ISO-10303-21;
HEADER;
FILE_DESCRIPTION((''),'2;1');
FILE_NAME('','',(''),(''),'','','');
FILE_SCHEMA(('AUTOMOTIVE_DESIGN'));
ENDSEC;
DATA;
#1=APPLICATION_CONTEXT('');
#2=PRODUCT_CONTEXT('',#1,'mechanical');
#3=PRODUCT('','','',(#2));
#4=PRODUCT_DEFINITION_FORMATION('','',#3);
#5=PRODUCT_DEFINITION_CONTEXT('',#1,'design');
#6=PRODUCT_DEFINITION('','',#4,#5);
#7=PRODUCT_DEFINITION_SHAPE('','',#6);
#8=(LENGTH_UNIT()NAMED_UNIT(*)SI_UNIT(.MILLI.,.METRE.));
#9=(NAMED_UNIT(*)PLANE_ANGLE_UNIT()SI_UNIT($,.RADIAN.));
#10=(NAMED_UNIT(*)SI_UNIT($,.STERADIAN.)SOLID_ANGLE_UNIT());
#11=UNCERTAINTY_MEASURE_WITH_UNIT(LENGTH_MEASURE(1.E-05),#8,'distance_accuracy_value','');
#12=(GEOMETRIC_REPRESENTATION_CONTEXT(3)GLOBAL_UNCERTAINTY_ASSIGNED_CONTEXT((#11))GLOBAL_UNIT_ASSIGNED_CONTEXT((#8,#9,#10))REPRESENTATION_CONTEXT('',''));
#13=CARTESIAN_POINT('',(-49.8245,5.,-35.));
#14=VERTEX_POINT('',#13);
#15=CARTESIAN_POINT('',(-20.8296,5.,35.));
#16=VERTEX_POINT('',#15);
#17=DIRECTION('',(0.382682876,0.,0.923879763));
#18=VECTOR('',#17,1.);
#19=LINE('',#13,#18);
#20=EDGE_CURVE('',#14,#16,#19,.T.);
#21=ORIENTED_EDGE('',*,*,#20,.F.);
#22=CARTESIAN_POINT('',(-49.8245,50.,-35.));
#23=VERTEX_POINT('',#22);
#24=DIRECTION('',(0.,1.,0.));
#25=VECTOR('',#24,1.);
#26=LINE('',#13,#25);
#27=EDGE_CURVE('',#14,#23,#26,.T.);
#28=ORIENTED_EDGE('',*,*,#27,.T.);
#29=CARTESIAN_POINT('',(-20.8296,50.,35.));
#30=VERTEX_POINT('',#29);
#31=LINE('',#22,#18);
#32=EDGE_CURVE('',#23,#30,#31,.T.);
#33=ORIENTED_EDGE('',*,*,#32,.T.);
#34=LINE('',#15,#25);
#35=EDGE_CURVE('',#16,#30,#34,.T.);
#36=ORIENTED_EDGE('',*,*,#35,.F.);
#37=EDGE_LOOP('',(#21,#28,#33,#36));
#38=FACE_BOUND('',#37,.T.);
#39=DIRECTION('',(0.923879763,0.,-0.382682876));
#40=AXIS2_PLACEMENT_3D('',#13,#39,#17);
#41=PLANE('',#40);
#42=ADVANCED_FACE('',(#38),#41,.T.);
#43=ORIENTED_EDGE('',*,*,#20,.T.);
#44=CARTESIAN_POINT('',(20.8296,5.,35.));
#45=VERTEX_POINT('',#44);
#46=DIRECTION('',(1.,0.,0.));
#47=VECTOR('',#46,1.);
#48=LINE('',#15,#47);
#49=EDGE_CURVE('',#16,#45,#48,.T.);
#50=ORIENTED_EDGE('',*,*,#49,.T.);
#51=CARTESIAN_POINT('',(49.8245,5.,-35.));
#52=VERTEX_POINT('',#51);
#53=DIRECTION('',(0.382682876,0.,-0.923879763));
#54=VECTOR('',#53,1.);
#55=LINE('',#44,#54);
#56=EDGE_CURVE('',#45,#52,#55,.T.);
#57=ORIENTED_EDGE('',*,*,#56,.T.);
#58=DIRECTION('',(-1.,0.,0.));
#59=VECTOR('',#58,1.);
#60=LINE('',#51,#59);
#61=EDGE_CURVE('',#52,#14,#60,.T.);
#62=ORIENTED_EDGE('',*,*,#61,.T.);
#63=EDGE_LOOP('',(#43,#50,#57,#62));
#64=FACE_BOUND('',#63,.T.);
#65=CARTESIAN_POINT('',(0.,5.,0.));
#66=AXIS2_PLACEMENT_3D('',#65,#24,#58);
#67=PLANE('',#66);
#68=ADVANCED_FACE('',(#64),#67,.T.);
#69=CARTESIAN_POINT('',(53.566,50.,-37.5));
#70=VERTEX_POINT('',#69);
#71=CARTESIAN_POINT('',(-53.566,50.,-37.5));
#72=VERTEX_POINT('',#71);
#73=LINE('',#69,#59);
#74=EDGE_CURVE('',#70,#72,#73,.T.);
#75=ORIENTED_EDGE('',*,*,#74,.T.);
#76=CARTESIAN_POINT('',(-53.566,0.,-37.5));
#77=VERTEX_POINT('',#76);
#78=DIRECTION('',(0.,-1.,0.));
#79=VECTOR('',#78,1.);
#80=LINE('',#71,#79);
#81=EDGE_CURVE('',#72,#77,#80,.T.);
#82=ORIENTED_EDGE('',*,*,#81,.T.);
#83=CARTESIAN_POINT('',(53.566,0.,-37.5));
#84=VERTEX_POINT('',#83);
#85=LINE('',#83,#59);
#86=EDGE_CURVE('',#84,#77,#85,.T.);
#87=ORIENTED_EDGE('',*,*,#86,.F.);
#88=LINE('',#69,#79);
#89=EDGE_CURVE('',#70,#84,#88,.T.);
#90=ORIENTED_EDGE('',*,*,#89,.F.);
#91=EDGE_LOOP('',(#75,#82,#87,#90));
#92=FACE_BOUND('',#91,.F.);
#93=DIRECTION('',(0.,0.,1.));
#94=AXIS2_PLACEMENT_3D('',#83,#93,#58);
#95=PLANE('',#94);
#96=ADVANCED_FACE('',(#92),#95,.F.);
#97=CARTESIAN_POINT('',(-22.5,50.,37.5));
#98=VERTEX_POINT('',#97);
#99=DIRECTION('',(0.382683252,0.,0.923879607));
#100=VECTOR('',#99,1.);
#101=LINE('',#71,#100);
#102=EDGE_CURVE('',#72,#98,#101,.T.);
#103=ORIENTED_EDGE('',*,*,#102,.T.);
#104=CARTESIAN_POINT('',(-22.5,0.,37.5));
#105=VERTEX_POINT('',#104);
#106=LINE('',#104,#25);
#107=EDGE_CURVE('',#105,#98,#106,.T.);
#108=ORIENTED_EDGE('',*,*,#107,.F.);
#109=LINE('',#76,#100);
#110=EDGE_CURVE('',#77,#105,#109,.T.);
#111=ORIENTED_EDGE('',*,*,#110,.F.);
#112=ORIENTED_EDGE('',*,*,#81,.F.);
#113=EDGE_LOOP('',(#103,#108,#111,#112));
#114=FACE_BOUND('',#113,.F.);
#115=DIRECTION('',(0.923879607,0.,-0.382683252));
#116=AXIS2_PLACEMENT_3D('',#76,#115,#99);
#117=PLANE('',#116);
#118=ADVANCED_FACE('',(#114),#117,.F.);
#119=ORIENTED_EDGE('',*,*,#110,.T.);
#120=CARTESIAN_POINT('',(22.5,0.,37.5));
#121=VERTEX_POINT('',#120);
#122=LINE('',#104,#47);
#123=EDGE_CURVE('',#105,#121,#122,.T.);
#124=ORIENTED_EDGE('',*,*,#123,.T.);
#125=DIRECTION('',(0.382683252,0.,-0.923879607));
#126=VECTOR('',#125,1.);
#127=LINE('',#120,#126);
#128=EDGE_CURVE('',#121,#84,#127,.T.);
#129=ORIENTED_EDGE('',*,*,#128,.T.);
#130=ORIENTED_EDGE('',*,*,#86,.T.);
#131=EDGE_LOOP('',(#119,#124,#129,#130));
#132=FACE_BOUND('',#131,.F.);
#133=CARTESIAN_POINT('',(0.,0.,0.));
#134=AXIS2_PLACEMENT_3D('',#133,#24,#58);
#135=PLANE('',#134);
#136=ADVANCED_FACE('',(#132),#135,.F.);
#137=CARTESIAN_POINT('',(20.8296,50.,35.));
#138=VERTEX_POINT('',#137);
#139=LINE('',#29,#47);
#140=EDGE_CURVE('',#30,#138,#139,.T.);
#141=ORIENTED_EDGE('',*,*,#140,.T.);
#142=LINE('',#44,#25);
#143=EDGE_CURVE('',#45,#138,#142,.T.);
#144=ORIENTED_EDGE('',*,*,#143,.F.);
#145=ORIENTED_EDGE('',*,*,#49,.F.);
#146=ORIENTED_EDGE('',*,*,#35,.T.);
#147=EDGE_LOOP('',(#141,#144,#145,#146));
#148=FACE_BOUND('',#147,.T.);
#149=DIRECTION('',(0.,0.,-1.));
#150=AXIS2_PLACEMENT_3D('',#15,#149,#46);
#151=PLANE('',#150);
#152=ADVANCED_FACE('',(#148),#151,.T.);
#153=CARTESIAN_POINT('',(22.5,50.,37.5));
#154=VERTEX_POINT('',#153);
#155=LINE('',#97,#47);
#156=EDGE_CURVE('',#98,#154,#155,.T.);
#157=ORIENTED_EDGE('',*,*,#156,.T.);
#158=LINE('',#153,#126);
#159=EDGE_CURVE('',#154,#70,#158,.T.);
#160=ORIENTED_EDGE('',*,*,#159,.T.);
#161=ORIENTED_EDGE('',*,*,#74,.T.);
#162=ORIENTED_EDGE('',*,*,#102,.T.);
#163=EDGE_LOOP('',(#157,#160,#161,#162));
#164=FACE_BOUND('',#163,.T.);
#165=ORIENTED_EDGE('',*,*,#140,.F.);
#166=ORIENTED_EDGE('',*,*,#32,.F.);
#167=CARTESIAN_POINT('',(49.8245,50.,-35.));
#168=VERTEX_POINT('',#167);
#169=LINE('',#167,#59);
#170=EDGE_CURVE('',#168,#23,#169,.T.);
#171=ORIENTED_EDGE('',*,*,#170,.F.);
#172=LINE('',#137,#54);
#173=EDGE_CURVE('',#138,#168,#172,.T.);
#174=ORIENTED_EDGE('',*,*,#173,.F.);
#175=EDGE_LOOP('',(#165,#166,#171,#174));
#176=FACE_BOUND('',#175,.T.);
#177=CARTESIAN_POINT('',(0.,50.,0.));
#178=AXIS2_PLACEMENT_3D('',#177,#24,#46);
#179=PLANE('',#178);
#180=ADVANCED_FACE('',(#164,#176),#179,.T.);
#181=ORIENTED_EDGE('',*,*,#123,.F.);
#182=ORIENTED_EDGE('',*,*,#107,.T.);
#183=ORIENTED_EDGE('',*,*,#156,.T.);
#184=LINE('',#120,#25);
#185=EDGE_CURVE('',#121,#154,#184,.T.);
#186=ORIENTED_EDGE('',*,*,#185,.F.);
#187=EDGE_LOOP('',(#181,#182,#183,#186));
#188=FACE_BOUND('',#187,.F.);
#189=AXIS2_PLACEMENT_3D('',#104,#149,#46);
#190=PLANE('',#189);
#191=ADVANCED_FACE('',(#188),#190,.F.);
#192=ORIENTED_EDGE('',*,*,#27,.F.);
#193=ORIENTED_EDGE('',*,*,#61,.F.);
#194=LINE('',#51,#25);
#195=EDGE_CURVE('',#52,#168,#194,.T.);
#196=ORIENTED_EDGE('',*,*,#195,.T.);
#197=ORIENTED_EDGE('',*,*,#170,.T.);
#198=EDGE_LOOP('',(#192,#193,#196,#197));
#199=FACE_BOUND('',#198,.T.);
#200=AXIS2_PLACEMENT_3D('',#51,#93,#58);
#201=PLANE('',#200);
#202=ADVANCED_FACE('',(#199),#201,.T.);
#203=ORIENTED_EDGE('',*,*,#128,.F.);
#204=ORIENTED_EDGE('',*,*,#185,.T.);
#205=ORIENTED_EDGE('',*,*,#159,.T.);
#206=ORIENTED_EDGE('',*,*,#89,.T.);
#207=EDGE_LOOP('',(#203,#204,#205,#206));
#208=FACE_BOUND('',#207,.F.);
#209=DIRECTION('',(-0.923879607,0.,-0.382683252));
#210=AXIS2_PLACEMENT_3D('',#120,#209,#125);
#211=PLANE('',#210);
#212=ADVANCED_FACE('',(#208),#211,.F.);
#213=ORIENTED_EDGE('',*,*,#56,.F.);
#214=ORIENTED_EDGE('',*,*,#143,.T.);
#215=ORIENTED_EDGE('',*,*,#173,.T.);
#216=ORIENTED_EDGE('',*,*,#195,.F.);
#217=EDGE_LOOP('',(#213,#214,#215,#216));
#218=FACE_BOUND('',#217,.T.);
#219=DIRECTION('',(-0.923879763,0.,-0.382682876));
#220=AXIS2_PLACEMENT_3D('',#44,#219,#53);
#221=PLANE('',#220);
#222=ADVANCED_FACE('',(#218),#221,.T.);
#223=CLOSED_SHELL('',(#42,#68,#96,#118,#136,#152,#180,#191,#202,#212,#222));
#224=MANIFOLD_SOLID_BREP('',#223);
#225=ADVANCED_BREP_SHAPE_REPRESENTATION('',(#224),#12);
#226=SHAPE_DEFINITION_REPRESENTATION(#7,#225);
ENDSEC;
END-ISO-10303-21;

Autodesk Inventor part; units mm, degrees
ref_plane "YZ Plane" through (0, 0, 0) normal (1, 0, 0) x (0, 1, 0)
ref_plane "XZ Plane" through (0, 0, 0) normal (0, 1, 0) x (-1, 0, 0)
ref_plane "XY Plane" through (0, 0, 0) normal (0, 0, 1) x (1, 0, 0)
sketch "Skizze4" plane through (0, 0, 0) normal (0, 1, 0) x (-1, 0, 0)
  line L0 (22.5, 37.5) -> (-22.5, 37.5)
  line L1 (-22.5, 37.5) -> (-53.566, -37.5)
  line L2 (-53.566, -37.5) -> (53.566, -37.5)
  line L3 (53.566, -37.5) -> (22.5, 37.5)
  line L4 (74.9924, 0) -> (-74.9924, 0) construction
  line L5 (0, -52.5) -> (0, 52.5) construction
  point P0 (0, 0)
  dimension "d19" = 75
  dimension "d20" = 45
  dimension "d21" = 112.5
extrude "Extrusion2" add sketch "Skizze4" along normal blind 5
sketch "Skizze5" plane through (0, 5, 0) normal (0, 1, 0) x (1, 0, 0)
  line L0 (-22.5, -37.5) -> (22.5, -37.5) projected
  line L1 (22.5, -37.5) -> (53.566, 37.5) projected
  line L2 (53.566, 37.5) -> (-53.566, 37.5) projected
  line L3 (-53.566, 37.5) -> (-22.5, -37.5) projected
  line L4 (-20.8296, -35) -> (20.8296, -35)
  line L5 (20.8296, -35) -> (49.8245, 35)
  line L6 (49.8245, 35) -> (-49.8245, 35)
  line L7 (-49.8245, 35) -> (-20.8296, -35)
  point P0 (0, 0)
  dimension "d8" = 2.5
extrude "Extrusion3" add sketch "Skizze5" along normal blind 45
properties part number "Modul Gehäuse" material "CFK"
